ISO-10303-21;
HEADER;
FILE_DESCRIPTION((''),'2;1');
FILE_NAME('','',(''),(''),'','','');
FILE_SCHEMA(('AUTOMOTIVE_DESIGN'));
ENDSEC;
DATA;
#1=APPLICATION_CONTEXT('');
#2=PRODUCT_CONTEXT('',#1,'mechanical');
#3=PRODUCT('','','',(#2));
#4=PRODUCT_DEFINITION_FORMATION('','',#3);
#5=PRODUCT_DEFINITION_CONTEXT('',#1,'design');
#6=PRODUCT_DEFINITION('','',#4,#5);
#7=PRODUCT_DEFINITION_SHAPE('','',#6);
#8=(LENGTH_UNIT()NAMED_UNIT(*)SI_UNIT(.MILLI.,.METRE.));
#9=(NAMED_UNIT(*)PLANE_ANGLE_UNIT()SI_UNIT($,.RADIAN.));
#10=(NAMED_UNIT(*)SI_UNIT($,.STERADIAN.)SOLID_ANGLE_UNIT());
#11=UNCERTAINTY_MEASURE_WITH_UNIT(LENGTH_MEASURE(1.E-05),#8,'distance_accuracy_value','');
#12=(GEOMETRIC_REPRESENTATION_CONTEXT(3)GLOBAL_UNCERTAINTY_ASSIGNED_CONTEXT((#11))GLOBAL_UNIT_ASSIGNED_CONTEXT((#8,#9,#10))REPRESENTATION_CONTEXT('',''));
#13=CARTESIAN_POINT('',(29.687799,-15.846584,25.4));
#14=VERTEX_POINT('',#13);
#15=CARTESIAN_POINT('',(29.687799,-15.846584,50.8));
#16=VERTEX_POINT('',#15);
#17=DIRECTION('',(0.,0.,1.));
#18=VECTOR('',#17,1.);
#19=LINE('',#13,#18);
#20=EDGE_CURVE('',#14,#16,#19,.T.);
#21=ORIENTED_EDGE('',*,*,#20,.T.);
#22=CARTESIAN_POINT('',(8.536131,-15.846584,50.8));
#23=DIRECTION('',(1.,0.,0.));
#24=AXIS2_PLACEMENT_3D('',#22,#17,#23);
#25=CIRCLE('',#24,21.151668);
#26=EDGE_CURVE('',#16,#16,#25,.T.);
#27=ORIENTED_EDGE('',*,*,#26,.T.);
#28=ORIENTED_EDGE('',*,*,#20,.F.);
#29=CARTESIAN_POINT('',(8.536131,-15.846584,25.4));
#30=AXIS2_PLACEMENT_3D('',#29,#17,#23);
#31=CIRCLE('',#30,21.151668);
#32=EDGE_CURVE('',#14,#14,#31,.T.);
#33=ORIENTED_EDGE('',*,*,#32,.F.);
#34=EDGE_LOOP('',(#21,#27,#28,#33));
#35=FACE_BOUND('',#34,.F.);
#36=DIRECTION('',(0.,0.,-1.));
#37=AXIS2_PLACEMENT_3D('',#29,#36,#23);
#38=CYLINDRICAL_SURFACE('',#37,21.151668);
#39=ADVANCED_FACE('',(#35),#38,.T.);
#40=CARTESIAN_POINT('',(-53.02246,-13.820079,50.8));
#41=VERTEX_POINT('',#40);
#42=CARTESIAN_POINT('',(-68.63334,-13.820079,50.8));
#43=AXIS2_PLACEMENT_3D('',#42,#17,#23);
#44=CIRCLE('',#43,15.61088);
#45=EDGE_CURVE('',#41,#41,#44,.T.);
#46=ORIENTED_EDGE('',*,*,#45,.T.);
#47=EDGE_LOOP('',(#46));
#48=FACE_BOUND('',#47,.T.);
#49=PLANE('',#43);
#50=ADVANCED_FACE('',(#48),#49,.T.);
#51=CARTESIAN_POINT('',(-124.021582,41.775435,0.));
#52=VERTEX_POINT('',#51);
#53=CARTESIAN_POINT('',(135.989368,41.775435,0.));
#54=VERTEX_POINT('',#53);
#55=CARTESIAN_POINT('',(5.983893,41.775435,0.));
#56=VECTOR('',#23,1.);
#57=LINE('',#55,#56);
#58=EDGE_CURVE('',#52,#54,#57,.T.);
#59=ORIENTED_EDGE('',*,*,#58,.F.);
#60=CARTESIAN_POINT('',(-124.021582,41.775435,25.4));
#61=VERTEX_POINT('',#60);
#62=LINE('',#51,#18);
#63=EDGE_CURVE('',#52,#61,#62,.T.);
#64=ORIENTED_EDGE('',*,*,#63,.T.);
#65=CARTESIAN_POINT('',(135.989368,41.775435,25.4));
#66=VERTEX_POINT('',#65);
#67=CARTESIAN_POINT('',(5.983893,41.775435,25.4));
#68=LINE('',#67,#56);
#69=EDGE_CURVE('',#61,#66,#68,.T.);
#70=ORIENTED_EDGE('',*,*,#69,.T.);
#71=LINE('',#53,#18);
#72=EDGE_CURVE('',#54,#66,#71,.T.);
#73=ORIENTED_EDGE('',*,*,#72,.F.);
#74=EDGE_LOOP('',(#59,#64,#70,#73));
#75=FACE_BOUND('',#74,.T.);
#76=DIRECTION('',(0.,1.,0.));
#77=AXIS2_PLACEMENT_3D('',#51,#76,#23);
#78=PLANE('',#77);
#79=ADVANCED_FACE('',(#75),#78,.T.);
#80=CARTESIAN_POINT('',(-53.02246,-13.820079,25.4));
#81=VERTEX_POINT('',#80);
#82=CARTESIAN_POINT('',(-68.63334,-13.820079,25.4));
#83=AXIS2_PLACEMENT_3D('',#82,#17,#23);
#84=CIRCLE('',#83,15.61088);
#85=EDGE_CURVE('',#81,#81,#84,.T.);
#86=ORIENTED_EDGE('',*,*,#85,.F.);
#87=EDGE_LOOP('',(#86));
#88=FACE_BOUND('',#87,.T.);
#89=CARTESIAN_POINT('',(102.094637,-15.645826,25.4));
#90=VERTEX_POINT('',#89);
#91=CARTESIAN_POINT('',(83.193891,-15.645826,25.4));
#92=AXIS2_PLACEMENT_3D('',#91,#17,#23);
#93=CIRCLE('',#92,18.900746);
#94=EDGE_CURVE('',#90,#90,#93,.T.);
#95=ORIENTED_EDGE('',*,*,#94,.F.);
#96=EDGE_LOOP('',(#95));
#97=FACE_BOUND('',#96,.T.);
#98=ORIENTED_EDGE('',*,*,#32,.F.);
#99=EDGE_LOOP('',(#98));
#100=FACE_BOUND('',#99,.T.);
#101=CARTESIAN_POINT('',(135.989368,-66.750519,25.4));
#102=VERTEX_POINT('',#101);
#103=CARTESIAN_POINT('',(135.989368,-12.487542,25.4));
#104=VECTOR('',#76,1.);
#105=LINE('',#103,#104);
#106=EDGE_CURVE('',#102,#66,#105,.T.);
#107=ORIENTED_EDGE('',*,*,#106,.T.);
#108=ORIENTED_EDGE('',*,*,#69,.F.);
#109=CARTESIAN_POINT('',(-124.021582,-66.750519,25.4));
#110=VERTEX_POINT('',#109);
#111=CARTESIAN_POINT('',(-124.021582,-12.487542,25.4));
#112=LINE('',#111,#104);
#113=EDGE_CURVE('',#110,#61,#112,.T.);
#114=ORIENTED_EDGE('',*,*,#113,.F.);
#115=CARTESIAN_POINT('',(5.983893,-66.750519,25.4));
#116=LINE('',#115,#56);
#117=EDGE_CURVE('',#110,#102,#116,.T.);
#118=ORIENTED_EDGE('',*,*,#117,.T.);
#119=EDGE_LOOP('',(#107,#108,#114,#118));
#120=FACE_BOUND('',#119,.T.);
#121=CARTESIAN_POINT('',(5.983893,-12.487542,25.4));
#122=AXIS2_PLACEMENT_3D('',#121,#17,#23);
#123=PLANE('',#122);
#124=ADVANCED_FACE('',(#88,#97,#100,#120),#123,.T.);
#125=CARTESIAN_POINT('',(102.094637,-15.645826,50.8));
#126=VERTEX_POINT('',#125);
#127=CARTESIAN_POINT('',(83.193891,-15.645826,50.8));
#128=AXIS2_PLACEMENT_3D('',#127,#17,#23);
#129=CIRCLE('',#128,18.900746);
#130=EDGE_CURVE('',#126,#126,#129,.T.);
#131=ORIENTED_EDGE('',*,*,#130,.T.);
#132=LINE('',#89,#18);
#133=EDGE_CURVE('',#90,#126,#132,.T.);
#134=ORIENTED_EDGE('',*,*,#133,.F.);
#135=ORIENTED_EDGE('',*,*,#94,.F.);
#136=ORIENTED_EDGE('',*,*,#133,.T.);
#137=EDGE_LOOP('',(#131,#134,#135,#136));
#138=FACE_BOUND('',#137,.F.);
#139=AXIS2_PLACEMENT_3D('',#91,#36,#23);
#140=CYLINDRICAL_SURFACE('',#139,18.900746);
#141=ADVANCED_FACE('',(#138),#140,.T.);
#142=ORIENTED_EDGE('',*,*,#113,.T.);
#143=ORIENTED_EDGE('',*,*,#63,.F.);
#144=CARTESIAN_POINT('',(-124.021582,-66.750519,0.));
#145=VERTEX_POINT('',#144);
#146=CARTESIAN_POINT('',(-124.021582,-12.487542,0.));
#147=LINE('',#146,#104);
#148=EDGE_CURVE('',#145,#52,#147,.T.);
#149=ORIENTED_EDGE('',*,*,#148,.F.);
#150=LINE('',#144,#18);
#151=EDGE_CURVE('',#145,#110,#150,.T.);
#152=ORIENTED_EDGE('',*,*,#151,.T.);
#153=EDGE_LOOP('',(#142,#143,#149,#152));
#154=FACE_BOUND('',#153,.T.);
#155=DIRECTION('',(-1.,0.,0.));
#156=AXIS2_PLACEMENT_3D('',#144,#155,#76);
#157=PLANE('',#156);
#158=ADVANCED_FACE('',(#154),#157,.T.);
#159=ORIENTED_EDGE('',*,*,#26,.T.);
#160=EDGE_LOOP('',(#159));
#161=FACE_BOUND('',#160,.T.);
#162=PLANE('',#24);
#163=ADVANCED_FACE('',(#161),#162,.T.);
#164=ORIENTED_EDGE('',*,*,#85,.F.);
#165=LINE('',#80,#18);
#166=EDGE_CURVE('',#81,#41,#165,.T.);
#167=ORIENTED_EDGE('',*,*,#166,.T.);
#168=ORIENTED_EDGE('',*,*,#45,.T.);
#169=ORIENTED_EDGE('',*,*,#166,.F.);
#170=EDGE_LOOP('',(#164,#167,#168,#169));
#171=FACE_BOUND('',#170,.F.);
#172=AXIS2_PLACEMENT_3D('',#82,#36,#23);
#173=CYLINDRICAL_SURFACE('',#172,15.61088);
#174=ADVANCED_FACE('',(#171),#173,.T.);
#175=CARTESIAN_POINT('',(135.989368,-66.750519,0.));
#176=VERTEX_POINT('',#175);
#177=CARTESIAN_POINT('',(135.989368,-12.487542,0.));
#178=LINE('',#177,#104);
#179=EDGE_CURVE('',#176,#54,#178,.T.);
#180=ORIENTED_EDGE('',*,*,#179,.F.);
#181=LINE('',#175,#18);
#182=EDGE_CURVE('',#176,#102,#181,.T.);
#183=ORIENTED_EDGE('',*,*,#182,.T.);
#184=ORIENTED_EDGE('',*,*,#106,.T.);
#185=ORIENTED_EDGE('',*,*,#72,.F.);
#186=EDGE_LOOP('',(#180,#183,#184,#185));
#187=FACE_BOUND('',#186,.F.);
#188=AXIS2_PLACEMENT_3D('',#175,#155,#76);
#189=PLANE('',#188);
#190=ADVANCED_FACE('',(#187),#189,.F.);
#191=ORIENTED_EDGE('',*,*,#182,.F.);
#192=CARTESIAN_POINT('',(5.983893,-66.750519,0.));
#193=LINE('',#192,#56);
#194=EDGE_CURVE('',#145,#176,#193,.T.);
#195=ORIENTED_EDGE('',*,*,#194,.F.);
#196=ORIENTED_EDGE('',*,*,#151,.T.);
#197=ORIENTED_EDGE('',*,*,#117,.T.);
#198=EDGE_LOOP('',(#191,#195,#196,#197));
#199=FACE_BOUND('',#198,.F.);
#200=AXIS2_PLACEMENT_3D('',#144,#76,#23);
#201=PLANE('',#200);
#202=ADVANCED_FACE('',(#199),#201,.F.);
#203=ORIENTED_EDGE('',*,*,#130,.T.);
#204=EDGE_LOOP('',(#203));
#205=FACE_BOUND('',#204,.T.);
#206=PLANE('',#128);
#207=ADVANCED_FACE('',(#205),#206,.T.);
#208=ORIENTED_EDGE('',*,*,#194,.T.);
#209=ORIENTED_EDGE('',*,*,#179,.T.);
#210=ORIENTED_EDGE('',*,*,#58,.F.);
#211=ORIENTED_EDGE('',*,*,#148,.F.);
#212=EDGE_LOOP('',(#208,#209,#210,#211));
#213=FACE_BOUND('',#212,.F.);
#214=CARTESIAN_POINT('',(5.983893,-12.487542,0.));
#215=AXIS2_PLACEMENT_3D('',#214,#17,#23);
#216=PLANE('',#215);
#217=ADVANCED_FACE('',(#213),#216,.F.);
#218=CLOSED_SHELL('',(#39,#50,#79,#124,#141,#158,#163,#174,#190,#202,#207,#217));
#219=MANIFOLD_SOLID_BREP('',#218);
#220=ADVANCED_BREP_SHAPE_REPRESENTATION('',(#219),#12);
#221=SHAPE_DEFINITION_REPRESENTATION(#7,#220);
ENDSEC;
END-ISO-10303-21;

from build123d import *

# Parameters (mm, degrees)
F0_W     = 260.01095
F0_H     = 108.525954
F1_DEPTH = 25.4
F2_R     = 15.61088
F2_R_2   = 21.151668
F2_R_3   = 18.900746
F3_DEPTH = 25.4


with BuildPart() as f1:
    # F0 (on Top) → F1 (new body)
    with BuildSketch(Plane.XY):
        with Locations((5.983893, -12.487542)):
            Rectangle(F0_W, F0_H)
    extrude(amount=F1_DEPTH)

    # F2 (on face) → F3 (join)
    with BuildSketch(Plane.XY.offset(25.4)):
        with Locations((-68.63334, -13.820079)):
            Circle(F2_R)
        with Locations((8.536131, -15.846584)):
            Circle(F2_R_2)
        with Locations((83.193891, -15.645826)):
            Circle(F2_R_3)
    extrude(amount=F3_DEPTH)


solid = f1.part
